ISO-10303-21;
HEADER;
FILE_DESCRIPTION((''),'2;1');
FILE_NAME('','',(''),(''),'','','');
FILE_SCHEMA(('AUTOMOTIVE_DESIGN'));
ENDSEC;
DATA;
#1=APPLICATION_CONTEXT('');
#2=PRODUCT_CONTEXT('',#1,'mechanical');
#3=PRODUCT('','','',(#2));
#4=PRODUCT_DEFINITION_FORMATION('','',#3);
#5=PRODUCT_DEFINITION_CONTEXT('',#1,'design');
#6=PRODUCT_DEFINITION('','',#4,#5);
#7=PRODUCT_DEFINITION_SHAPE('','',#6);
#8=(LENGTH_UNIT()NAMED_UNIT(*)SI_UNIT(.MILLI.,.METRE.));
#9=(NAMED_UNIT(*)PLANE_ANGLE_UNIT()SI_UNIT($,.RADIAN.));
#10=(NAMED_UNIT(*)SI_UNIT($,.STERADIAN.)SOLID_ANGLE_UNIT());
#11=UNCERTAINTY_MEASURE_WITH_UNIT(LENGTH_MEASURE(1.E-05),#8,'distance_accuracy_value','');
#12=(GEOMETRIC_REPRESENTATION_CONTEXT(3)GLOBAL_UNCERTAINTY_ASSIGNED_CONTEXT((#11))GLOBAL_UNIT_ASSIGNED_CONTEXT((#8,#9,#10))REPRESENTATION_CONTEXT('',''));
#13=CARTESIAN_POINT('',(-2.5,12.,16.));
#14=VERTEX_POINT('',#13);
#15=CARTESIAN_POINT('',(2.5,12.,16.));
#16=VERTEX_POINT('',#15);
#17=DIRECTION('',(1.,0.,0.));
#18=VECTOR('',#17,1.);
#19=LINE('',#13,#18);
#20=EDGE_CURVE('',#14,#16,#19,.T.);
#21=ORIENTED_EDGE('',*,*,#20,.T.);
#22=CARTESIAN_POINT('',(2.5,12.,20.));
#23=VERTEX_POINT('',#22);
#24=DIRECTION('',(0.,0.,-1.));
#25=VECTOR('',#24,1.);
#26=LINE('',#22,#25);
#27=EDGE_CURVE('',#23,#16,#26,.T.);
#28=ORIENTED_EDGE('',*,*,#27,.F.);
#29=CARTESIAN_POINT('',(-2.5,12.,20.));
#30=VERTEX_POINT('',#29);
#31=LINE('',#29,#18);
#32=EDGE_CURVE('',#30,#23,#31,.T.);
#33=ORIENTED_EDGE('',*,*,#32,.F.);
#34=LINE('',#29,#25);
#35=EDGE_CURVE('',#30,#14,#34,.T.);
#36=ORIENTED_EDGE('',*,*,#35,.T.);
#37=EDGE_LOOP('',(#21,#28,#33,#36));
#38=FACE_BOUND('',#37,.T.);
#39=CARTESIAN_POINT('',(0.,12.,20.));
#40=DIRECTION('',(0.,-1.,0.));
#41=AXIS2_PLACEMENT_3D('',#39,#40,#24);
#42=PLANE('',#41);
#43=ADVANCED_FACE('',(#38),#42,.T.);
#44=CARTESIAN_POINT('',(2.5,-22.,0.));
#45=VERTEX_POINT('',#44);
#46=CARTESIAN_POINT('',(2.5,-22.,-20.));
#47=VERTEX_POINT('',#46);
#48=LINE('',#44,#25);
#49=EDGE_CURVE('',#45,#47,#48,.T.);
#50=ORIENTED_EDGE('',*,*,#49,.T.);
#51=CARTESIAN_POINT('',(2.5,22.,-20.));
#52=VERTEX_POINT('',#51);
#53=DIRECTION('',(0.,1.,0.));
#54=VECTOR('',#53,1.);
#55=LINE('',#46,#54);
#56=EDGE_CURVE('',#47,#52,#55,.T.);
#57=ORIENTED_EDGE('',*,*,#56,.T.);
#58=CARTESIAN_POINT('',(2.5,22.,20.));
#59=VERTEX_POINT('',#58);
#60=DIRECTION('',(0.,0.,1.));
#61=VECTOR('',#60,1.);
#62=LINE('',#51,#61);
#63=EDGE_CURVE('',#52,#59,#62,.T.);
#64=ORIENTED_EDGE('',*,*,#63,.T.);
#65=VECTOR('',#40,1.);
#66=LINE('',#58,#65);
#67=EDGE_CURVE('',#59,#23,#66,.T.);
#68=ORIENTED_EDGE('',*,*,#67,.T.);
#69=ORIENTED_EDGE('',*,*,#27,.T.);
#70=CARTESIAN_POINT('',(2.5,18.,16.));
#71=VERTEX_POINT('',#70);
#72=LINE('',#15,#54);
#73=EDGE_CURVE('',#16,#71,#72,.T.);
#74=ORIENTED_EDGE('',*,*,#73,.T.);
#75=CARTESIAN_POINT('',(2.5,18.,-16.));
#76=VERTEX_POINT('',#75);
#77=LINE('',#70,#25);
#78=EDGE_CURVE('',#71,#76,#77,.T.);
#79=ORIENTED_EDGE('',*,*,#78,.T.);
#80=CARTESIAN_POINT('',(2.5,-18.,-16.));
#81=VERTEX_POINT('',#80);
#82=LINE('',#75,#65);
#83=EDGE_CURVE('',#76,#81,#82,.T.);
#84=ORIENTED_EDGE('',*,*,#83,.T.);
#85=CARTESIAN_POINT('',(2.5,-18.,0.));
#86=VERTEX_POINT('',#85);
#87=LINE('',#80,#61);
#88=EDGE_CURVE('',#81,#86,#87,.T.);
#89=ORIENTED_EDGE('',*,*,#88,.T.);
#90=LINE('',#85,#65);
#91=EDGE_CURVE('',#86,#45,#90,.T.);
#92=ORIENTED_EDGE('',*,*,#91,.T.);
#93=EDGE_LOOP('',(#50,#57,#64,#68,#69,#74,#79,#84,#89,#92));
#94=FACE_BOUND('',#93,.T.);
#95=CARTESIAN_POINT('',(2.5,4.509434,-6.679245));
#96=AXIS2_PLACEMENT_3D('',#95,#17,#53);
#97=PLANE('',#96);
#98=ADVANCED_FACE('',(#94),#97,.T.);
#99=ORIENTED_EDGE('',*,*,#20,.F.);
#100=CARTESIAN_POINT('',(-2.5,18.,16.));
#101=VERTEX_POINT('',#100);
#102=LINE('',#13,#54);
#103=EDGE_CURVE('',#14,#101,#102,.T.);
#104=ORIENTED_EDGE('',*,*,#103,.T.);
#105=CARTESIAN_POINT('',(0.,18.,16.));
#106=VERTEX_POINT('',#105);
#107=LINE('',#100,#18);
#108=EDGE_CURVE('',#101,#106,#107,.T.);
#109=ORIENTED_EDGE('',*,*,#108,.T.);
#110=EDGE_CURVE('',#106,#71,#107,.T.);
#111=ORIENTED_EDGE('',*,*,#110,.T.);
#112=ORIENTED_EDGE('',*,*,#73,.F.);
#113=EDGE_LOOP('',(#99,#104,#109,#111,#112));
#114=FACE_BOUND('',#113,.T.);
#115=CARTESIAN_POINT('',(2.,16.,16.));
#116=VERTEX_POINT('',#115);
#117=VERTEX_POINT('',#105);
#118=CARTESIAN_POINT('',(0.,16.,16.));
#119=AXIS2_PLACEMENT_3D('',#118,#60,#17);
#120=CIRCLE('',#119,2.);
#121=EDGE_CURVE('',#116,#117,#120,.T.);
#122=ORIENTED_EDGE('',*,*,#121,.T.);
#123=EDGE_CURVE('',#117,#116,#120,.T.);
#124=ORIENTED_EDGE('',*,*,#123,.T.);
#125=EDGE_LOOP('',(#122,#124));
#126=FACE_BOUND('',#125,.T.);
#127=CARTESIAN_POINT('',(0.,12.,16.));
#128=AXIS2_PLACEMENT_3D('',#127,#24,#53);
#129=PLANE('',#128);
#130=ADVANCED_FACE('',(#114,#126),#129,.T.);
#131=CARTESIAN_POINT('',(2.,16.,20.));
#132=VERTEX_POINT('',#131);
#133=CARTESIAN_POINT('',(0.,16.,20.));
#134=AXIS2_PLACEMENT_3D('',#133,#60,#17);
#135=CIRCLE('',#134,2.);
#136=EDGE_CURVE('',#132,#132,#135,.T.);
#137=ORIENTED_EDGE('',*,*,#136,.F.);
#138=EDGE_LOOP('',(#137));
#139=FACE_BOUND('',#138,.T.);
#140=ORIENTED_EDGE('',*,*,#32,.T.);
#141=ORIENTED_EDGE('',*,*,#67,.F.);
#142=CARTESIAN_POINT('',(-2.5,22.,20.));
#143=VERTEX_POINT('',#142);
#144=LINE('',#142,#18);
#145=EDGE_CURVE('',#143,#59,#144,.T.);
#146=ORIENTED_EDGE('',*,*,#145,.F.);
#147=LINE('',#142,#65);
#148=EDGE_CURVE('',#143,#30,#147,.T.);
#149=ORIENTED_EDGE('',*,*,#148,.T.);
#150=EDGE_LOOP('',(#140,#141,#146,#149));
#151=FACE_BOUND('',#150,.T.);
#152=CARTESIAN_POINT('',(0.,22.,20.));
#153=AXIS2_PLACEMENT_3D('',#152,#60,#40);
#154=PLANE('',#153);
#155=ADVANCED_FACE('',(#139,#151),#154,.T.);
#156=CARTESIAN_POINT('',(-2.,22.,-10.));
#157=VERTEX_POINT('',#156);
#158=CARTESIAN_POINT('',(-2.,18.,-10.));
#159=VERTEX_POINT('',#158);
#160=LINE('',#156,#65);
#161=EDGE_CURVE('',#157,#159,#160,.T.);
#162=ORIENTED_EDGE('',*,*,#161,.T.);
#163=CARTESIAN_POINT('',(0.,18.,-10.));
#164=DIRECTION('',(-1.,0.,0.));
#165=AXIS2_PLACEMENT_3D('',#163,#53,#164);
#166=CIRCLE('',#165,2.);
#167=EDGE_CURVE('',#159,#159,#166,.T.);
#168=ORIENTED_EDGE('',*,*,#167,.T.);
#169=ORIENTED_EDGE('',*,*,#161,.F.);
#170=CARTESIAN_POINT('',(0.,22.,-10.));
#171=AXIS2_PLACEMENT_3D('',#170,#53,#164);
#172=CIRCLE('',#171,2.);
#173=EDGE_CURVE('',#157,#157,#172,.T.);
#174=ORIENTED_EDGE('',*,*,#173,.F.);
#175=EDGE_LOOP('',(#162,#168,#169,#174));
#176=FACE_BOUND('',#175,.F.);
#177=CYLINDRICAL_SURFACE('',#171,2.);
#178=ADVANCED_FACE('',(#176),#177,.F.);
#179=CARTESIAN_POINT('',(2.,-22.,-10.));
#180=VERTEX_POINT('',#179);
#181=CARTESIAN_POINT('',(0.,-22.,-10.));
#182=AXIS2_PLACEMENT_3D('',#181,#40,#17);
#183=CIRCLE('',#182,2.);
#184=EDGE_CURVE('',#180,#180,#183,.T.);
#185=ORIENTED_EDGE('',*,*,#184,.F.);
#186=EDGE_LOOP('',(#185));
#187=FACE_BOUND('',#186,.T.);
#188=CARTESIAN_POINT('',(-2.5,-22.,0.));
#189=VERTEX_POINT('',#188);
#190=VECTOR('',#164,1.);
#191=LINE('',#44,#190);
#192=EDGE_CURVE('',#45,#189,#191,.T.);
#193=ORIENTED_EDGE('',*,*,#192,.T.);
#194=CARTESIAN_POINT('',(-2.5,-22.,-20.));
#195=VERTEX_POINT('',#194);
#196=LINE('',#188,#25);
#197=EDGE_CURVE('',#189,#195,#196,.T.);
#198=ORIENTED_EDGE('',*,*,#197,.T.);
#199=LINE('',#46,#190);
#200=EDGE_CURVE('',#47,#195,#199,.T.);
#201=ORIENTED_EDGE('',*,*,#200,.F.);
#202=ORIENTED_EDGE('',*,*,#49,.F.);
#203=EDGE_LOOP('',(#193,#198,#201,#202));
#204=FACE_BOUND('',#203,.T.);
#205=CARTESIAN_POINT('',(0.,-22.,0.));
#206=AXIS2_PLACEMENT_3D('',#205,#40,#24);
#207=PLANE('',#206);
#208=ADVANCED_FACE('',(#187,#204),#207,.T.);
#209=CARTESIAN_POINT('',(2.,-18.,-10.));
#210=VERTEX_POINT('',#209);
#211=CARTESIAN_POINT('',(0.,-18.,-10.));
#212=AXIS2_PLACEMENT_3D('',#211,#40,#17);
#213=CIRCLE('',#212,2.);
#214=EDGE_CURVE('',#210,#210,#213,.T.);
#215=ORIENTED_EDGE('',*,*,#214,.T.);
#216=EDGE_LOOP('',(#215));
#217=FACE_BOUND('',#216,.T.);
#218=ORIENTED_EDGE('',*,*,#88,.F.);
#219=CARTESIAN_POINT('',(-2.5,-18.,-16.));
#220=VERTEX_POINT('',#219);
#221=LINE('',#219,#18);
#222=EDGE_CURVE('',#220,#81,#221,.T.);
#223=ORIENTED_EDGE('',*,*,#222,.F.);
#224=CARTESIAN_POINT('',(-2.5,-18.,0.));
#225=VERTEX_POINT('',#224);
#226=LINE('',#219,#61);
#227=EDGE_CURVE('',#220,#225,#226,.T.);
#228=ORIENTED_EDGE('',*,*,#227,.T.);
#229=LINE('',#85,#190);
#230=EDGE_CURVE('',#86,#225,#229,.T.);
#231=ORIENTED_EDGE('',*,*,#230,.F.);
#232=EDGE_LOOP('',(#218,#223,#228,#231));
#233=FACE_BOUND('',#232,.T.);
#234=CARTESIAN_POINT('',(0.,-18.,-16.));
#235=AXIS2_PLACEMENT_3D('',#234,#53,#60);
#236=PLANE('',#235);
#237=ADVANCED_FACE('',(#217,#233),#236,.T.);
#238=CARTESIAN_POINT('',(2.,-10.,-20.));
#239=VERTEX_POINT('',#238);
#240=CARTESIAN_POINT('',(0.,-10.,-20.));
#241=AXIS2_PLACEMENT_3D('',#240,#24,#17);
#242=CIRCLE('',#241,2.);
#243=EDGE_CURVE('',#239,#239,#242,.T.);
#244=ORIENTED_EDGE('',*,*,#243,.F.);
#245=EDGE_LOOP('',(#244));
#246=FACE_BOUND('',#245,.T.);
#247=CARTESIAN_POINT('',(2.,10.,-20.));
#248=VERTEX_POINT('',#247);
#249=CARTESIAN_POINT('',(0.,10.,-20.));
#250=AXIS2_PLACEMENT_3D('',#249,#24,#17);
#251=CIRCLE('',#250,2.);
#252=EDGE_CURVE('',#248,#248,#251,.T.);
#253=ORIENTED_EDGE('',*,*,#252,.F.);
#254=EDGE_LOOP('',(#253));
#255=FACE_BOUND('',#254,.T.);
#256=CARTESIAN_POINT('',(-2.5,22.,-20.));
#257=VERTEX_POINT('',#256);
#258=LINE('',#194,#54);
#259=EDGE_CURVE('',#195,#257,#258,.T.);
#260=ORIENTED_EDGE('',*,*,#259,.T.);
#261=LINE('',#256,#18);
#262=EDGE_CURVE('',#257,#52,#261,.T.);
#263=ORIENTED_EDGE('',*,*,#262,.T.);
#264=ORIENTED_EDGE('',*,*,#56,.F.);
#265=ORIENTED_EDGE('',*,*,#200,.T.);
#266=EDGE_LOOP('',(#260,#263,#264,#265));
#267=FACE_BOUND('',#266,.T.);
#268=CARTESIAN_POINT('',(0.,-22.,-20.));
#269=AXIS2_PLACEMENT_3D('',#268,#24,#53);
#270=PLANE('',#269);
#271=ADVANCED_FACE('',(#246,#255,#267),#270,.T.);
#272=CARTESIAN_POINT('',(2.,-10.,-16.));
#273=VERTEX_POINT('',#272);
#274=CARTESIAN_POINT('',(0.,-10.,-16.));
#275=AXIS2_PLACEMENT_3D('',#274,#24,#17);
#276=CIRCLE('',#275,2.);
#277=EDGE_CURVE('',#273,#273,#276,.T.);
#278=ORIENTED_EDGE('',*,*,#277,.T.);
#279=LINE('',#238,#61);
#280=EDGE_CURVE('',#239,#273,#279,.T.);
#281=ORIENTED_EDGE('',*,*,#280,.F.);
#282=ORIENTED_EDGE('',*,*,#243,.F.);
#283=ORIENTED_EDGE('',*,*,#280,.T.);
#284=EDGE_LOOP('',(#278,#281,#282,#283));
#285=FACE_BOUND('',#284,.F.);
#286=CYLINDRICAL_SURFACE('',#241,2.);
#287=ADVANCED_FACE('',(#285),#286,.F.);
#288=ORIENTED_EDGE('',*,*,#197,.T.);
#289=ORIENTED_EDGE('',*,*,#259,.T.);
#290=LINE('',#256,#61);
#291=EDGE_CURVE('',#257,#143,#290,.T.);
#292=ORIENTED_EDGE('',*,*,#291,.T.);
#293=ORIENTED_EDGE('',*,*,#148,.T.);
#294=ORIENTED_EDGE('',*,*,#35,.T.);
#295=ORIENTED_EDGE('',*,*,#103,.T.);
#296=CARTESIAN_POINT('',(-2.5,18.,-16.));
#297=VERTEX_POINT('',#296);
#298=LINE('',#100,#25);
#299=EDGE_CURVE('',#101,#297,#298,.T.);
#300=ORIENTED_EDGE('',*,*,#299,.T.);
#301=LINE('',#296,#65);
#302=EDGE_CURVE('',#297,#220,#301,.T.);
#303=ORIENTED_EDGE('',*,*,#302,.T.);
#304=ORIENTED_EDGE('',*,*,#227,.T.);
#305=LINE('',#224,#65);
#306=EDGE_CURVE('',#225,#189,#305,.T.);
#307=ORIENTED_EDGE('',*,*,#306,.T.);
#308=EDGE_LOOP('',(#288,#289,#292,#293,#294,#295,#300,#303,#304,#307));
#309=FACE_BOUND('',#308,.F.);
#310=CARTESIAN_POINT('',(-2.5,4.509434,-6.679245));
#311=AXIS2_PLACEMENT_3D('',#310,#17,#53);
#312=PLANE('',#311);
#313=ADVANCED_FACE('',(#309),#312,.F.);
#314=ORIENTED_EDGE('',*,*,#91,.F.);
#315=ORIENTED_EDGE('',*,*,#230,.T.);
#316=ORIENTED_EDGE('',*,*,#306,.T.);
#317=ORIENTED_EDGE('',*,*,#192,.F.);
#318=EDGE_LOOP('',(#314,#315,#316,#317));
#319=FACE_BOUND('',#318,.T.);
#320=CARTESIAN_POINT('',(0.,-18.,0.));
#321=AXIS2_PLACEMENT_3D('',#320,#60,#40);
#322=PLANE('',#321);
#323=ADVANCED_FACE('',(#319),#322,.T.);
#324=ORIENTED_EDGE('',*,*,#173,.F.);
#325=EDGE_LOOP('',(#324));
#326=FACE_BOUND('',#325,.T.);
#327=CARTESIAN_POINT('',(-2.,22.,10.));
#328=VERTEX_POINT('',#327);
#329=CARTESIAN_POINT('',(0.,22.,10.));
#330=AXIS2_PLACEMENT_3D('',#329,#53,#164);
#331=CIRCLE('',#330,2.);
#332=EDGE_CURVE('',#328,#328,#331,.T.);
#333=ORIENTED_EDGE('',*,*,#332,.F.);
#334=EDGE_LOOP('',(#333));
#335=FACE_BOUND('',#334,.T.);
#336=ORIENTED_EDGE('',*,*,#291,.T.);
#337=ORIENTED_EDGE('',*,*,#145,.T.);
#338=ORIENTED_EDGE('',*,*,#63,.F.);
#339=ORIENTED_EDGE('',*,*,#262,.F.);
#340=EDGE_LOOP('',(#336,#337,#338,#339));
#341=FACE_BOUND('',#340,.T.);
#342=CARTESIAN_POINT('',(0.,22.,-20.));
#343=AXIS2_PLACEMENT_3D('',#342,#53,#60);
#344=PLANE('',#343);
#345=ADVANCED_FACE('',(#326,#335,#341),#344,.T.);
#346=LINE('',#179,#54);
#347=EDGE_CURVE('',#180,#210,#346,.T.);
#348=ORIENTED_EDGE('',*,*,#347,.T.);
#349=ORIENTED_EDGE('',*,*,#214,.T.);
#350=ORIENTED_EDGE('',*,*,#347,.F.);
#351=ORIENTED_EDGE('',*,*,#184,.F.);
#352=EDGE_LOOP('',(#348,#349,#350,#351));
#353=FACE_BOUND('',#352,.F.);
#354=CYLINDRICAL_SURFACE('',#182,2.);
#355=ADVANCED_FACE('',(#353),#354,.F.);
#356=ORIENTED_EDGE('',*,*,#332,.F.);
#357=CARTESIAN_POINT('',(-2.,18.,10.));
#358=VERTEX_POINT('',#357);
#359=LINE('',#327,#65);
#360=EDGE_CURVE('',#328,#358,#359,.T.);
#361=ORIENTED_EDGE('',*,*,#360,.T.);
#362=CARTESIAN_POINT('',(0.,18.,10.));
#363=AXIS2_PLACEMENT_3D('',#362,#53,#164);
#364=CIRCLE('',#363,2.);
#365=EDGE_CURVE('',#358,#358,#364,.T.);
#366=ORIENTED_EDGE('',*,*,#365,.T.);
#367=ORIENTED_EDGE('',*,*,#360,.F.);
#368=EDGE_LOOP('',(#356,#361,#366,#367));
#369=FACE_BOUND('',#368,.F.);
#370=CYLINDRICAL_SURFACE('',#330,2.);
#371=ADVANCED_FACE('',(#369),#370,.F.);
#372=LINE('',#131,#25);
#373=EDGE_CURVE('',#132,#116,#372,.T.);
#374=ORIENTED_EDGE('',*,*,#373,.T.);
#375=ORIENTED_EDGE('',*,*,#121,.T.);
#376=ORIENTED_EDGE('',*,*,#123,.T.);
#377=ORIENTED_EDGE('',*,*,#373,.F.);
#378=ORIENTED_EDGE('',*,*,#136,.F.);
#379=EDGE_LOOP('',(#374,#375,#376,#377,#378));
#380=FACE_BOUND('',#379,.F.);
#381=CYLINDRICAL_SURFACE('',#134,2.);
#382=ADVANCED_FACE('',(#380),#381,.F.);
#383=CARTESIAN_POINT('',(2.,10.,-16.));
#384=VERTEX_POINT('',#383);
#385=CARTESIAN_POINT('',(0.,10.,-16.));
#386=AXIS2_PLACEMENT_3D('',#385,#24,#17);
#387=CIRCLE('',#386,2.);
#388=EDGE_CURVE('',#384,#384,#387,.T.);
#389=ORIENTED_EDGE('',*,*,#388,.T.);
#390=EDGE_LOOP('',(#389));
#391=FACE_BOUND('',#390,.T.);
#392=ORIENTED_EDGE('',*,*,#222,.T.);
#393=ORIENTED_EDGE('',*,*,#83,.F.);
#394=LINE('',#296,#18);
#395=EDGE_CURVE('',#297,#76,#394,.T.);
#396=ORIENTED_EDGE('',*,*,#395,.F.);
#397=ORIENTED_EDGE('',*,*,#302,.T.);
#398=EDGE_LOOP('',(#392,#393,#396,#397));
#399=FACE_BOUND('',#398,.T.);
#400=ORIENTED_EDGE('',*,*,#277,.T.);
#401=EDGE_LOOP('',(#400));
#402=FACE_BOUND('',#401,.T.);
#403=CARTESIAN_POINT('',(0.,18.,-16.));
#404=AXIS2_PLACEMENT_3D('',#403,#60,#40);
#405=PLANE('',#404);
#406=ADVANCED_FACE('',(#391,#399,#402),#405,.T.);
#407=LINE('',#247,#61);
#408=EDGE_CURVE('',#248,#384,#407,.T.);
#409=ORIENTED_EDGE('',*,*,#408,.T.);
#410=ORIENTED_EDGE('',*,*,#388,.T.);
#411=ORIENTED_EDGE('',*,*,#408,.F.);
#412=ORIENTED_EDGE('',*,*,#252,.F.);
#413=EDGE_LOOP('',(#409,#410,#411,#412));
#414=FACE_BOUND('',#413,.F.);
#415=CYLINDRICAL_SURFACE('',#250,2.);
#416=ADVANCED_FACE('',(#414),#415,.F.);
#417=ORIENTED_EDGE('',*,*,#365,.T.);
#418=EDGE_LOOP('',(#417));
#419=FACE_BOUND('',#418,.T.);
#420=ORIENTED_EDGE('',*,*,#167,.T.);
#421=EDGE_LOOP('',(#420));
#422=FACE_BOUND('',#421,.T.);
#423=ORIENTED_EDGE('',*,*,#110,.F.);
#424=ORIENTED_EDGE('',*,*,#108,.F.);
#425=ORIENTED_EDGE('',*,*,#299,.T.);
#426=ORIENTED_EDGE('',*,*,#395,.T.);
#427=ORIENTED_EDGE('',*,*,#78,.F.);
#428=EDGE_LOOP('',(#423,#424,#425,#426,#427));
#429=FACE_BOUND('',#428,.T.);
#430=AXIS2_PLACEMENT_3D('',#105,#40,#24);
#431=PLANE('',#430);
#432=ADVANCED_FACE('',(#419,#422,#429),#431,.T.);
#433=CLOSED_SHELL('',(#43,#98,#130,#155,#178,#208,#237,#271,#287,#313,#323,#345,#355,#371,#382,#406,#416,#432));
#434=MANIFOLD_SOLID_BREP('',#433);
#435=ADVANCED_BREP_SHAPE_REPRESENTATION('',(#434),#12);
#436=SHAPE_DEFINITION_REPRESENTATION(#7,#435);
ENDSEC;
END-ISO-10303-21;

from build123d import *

# Parameters (mm, degrees)
F1_DEPTH = 2.5
F2_R     = 2
F3_DEPTH = 5
F4_R     = 2
F5_DEPTH = 5
F6_R     = 2
F7_DEPTH = 25
F8_R     = 2
F9_DEPTH = 5


with BuildPart() as f1:
    # F0 (on Right) → F1 (new body, symmetric)
    with BuildSketch(Plane.YZ):
        Polygon((-22, -20), (22, -20), (22, 20), (12, 20), (12, 16), (18, 16), (18, -16), (-18, -16), (-18, 0), (-22, 0), align=None)
    extrude(amount=F1_DEPTH, both=True)

    # F2 (on face) → F3 (cut)
    with BuildSketch(Plane.XY.offset(20)):
        with Locations((0, 16)):
            Circle(F2_R)
    extrude(amount=-F3_DEPTH, mode=Mode.SUBTRACT)

    # F4 (on face) → F5 (cut)
    with BuildSketch(Plane(origin=(0, 0, -20), x_dir=(1, 0, 0), z_dir=(0, 0, -1))):
        with Locations((0, 10)):
            Circle(F4_R)
        with Locations((0, -10)):
            Circle(F4_R)
    extrude(amount=-F5_DEPTH, mode=Mode.SUBTRACT)

    # F6 (on face) → F7 (cut)
    with BuildSketch(Plane.XZ.offset(22)):
        with Locations((0, -10)):
            Circle(F6_R)
    extrude(amount=-F7_DEPTH, mode=Mode.SUBTRACT)

    # F8 (on face) → F9 (cut)
    with BuildSketch(Plane(origin=(0, 22, 0), x_dir=(-1, 0, 0), z_dir=(0, 1, 0))):
        with Locations((0, -10)):
            Circle(F8_R)
        with Locations((0, 10)):
            Circle(F8_R)
    extrude(amount=-F9_DEPTH, mode=Mode.SUBTRACT)


solid = f1.part
